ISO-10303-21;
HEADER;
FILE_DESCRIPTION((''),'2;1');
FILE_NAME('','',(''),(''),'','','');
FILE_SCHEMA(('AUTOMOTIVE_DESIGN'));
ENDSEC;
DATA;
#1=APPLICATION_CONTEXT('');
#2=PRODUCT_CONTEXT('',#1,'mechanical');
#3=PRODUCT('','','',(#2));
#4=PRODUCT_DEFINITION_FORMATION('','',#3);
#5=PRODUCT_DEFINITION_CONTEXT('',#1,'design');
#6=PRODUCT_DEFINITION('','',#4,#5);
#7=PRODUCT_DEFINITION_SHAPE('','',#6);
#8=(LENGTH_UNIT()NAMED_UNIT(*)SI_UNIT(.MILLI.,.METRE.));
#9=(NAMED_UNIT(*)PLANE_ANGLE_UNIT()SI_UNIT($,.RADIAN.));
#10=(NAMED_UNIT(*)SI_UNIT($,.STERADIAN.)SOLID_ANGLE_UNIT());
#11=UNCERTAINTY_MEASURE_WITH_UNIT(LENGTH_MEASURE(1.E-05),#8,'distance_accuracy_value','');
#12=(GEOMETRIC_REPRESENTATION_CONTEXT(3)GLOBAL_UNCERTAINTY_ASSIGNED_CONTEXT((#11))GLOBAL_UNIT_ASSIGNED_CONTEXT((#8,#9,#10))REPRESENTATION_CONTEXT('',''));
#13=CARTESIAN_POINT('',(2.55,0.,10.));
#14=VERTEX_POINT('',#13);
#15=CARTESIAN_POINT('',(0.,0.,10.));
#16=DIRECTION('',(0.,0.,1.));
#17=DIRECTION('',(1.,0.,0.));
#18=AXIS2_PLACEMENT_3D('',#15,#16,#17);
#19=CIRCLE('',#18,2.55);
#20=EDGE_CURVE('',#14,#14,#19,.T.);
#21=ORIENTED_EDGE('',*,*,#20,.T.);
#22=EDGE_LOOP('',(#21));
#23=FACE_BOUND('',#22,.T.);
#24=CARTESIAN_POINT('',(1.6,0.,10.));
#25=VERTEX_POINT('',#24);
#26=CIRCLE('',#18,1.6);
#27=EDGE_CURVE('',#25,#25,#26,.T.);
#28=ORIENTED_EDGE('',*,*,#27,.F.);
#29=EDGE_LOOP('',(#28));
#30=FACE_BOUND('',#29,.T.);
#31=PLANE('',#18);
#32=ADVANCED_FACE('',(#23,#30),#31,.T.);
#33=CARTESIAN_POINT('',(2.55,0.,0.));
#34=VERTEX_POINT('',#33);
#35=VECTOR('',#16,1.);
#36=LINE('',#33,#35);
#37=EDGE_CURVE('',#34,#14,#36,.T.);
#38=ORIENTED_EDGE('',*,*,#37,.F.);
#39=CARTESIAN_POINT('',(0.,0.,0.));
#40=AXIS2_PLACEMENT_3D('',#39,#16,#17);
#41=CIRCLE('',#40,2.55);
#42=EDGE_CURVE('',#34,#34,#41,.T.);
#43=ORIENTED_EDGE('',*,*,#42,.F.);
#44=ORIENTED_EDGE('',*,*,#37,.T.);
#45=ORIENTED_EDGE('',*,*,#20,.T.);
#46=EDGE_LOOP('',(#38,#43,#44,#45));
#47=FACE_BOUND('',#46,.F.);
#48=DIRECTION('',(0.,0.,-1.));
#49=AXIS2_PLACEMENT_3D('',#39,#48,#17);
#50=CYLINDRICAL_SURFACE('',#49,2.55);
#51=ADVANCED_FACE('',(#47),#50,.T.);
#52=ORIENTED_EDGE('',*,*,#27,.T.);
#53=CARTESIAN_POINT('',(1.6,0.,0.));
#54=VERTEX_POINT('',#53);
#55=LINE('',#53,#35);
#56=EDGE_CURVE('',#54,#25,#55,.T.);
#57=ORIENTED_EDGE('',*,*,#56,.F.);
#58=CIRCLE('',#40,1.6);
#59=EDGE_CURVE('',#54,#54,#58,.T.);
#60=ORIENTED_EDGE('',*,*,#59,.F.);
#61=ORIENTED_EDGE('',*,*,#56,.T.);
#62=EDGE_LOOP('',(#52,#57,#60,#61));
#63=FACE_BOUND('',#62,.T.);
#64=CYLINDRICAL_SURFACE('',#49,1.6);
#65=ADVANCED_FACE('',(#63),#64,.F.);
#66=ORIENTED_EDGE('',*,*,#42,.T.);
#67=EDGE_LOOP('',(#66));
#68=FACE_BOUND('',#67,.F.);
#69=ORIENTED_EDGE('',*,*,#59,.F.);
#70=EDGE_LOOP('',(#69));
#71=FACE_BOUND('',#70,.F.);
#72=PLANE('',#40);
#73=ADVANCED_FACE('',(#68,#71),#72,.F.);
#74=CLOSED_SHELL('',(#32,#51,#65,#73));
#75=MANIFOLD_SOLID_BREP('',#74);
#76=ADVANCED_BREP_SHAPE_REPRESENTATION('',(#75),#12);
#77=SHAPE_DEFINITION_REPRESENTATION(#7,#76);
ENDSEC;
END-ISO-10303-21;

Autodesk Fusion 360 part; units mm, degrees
sketch "Sketch1" plane through (0, 0, 0) normal (0, 0, 1) x (1, 0, 0)
  circle A0 centre (0, 0) radius 1.6
  circle A1 centre (0, 0) radius 2.55
  dimension "d1" = 3.2
  dimension "d2" = 5.1
extrude "Extrude1" add sketch "Sketch1" along normal blind 10
